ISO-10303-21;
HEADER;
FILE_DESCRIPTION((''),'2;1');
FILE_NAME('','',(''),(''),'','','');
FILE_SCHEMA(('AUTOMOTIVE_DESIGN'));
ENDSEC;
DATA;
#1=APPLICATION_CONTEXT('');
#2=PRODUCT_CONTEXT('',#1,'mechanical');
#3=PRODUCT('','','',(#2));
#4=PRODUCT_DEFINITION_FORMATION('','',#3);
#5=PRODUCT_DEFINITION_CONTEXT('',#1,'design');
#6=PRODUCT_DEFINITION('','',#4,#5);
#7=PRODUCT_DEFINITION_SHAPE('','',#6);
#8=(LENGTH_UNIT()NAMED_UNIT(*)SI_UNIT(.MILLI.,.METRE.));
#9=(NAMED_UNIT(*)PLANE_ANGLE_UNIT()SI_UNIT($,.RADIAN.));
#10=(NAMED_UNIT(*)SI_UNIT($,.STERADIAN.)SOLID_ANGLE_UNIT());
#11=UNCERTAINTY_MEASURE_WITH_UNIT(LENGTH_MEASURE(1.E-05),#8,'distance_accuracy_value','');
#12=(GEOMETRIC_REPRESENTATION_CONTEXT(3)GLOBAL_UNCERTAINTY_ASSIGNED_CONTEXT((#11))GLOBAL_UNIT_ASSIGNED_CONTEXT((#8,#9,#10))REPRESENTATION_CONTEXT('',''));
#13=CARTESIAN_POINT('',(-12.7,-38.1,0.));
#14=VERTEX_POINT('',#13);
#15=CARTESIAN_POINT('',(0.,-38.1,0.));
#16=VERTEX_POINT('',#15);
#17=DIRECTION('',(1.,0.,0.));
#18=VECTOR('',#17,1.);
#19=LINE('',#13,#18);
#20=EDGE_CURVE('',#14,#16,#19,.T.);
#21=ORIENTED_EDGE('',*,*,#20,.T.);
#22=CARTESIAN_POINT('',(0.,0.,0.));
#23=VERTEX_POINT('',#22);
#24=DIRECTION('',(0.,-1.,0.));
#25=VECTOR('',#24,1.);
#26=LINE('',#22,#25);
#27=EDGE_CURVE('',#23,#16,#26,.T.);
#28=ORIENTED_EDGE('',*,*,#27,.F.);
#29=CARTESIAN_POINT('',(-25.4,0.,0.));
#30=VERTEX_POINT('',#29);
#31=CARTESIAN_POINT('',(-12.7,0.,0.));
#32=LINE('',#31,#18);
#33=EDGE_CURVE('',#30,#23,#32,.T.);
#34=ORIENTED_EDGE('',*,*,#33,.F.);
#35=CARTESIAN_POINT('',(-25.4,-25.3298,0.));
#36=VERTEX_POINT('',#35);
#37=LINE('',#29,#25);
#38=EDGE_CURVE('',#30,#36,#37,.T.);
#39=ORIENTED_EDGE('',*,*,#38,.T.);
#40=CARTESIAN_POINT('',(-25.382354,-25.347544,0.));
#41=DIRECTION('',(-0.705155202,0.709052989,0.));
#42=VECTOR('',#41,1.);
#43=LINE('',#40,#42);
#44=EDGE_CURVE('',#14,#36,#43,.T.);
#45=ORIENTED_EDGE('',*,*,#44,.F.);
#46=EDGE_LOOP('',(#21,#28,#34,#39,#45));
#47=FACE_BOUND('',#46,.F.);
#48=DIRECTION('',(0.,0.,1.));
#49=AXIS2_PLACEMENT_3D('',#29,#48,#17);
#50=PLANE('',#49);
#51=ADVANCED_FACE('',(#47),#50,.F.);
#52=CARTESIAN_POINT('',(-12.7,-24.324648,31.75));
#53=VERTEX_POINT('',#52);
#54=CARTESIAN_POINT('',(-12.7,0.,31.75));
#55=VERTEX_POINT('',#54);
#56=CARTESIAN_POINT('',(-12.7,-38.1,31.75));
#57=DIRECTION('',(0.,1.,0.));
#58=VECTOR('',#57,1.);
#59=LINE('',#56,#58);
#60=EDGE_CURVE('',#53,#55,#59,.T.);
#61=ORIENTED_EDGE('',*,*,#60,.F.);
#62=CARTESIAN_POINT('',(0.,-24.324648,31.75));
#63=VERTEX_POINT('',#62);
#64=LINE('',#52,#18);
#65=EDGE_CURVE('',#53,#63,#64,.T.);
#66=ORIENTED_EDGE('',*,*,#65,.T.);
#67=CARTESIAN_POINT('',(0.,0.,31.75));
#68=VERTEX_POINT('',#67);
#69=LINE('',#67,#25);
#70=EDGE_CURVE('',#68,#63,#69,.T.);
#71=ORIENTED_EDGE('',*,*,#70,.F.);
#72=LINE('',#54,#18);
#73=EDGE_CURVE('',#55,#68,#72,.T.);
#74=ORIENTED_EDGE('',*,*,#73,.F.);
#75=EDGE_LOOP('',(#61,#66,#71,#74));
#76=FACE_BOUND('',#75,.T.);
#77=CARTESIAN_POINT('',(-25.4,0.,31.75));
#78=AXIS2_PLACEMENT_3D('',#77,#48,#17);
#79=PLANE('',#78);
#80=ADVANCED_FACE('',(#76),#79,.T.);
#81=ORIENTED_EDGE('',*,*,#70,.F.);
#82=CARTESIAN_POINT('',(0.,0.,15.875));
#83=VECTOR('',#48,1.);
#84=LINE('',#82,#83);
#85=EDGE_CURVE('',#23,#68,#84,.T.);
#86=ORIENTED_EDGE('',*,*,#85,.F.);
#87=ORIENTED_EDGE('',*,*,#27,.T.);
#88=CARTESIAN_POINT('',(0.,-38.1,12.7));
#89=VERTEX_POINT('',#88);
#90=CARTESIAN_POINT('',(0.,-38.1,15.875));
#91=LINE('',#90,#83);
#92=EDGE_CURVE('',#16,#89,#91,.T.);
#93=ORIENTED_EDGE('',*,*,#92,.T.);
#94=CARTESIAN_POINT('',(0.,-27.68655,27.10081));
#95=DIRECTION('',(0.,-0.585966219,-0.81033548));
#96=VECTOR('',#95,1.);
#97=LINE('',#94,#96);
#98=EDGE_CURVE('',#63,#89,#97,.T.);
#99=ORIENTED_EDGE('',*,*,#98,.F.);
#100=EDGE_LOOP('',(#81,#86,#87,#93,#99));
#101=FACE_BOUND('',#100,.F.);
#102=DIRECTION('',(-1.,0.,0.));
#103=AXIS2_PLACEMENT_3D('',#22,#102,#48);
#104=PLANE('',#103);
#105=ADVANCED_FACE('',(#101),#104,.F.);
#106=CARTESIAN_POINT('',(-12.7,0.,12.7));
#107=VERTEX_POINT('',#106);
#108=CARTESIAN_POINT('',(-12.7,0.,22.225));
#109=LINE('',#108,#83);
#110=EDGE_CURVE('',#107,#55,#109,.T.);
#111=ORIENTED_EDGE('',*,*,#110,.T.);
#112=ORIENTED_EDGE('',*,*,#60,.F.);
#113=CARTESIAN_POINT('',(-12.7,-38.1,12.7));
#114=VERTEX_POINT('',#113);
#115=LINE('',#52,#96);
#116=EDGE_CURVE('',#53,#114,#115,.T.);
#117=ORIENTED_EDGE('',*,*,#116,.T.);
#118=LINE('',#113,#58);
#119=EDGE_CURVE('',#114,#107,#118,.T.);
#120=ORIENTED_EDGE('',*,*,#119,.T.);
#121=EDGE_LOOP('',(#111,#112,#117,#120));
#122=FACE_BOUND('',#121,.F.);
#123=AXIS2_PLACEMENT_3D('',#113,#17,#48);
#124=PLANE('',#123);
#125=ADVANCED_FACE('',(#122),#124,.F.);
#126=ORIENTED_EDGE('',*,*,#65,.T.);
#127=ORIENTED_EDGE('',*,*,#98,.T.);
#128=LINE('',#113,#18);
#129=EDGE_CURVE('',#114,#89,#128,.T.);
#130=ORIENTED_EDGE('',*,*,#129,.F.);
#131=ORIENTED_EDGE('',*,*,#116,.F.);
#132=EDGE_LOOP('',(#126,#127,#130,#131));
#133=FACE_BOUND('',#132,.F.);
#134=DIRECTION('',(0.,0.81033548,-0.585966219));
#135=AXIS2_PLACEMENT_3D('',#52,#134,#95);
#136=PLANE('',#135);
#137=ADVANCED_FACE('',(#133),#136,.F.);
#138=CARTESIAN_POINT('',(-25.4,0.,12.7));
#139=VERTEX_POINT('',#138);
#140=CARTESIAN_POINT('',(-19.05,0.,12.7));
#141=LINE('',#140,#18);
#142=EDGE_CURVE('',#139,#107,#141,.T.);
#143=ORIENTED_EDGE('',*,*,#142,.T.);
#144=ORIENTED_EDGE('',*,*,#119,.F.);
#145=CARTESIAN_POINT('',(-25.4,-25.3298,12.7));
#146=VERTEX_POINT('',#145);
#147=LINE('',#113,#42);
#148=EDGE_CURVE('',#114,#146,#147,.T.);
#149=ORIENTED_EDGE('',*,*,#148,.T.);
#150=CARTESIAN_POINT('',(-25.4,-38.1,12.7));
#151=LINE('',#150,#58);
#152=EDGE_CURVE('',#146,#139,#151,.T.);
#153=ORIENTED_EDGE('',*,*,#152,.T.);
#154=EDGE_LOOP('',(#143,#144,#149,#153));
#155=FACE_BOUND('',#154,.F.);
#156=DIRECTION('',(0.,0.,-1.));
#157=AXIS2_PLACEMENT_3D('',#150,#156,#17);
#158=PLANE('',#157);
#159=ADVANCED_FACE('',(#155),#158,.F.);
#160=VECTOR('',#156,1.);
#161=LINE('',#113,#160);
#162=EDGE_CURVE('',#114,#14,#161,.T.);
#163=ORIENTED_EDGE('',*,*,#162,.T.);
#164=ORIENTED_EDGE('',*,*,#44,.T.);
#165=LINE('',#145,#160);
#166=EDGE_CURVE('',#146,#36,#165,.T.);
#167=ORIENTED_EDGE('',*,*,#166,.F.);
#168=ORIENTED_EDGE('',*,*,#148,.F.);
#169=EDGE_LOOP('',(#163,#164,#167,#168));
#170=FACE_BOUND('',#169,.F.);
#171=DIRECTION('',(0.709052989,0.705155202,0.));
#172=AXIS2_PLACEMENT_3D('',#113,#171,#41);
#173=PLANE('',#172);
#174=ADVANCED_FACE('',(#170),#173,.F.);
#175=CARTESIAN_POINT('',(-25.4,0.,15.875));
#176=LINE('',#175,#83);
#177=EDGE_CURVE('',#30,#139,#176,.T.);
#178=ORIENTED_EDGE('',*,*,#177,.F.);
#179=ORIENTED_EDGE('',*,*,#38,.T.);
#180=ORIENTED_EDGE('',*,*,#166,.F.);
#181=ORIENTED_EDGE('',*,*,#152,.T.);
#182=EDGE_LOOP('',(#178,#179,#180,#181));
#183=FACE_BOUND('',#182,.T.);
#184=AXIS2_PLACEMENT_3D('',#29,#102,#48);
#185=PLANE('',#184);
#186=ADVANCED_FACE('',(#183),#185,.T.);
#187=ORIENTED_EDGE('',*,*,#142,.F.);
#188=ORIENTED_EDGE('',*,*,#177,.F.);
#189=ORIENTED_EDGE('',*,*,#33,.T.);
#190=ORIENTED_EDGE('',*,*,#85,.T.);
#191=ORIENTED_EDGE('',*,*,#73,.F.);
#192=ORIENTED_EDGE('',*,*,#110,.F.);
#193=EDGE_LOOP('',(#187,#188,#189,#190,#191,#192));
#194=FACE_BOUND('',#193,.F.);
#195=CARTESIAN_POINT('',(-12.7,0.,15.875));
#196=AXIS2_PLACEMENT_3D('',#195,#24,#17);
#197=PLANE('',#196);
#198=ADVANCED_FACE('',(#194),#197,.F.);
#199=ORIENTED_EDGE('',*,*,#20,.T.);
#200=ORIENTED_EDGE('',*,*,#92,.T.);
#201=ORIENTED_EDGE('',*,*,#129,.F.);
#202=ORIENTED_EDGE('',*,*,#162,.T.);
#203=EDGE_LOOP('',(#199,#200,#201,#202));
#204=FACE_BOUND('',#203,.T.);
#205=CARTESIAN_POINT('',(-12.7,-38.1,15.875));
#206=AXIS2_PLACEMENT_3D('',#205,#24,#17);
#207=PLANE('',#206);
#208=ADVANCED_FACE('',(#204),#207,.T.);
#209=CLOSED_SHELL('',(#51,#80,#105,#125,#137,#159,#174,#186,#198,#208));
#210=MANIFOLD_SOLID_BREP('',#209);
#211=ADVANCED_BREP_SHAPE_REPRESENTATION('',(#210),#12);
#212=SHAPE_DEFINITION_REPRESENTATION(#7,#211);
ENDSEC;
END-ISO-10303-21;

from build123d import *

# Parameters (mm, degrees)
F0_W     = 25.4
F0_H     = 31.75
F1_DEPTH = 38.1
F2_W     = 12.7
F2_H     = 19.05
F3_DEPTH = 38.1
F5_DEPTH = 25.4
F7_DEPTH = 25.4


with BuildPart() as f1:
    # F0 (on Front) → F1 (new body)
    with BuildSketch(Plane.XZ):
        with Locations((-12.7, 15.875)):
            Rectangle(F0_W, F0_H)
    extrude(amount=F1_DEPTH)

    # F2 (on face) → F3 (cut)
    with BuildSketch(Plane.XZ.offset(38.1)):
        with Locations((-19.05, 22.225)):
            Rectangle(F2_W, F2_H)
    extrude(amount=-F3_DEPTH, mode=Mode.SUBTRACT)

    # F4 (on face) → F5 (cut)
    with BuildSketch(Plane.XY.offset(12.7)):
        Polygon((-25.4, -38.1), (-12.7, -38.1), (-25.4, -25.3298), align=None)
    extrude(amount=-F5_DEPTH, mode=Mode.SUBTRACT)

    # F6 (on face) → F7 (cut)
    with BuildSketch(Plane(origin=(-12.7, 0, 0), x_dir=(0, -1, 0), z_dir=(-1, 0, 0))):
        Polygon((24.324648, 31.75), (38.1, 12.7), (38.1, 31.75), align=None)
    extrude(amount=-F7_DEPTH, mode=Mode.SUBTRACT)


solid = f1.part
